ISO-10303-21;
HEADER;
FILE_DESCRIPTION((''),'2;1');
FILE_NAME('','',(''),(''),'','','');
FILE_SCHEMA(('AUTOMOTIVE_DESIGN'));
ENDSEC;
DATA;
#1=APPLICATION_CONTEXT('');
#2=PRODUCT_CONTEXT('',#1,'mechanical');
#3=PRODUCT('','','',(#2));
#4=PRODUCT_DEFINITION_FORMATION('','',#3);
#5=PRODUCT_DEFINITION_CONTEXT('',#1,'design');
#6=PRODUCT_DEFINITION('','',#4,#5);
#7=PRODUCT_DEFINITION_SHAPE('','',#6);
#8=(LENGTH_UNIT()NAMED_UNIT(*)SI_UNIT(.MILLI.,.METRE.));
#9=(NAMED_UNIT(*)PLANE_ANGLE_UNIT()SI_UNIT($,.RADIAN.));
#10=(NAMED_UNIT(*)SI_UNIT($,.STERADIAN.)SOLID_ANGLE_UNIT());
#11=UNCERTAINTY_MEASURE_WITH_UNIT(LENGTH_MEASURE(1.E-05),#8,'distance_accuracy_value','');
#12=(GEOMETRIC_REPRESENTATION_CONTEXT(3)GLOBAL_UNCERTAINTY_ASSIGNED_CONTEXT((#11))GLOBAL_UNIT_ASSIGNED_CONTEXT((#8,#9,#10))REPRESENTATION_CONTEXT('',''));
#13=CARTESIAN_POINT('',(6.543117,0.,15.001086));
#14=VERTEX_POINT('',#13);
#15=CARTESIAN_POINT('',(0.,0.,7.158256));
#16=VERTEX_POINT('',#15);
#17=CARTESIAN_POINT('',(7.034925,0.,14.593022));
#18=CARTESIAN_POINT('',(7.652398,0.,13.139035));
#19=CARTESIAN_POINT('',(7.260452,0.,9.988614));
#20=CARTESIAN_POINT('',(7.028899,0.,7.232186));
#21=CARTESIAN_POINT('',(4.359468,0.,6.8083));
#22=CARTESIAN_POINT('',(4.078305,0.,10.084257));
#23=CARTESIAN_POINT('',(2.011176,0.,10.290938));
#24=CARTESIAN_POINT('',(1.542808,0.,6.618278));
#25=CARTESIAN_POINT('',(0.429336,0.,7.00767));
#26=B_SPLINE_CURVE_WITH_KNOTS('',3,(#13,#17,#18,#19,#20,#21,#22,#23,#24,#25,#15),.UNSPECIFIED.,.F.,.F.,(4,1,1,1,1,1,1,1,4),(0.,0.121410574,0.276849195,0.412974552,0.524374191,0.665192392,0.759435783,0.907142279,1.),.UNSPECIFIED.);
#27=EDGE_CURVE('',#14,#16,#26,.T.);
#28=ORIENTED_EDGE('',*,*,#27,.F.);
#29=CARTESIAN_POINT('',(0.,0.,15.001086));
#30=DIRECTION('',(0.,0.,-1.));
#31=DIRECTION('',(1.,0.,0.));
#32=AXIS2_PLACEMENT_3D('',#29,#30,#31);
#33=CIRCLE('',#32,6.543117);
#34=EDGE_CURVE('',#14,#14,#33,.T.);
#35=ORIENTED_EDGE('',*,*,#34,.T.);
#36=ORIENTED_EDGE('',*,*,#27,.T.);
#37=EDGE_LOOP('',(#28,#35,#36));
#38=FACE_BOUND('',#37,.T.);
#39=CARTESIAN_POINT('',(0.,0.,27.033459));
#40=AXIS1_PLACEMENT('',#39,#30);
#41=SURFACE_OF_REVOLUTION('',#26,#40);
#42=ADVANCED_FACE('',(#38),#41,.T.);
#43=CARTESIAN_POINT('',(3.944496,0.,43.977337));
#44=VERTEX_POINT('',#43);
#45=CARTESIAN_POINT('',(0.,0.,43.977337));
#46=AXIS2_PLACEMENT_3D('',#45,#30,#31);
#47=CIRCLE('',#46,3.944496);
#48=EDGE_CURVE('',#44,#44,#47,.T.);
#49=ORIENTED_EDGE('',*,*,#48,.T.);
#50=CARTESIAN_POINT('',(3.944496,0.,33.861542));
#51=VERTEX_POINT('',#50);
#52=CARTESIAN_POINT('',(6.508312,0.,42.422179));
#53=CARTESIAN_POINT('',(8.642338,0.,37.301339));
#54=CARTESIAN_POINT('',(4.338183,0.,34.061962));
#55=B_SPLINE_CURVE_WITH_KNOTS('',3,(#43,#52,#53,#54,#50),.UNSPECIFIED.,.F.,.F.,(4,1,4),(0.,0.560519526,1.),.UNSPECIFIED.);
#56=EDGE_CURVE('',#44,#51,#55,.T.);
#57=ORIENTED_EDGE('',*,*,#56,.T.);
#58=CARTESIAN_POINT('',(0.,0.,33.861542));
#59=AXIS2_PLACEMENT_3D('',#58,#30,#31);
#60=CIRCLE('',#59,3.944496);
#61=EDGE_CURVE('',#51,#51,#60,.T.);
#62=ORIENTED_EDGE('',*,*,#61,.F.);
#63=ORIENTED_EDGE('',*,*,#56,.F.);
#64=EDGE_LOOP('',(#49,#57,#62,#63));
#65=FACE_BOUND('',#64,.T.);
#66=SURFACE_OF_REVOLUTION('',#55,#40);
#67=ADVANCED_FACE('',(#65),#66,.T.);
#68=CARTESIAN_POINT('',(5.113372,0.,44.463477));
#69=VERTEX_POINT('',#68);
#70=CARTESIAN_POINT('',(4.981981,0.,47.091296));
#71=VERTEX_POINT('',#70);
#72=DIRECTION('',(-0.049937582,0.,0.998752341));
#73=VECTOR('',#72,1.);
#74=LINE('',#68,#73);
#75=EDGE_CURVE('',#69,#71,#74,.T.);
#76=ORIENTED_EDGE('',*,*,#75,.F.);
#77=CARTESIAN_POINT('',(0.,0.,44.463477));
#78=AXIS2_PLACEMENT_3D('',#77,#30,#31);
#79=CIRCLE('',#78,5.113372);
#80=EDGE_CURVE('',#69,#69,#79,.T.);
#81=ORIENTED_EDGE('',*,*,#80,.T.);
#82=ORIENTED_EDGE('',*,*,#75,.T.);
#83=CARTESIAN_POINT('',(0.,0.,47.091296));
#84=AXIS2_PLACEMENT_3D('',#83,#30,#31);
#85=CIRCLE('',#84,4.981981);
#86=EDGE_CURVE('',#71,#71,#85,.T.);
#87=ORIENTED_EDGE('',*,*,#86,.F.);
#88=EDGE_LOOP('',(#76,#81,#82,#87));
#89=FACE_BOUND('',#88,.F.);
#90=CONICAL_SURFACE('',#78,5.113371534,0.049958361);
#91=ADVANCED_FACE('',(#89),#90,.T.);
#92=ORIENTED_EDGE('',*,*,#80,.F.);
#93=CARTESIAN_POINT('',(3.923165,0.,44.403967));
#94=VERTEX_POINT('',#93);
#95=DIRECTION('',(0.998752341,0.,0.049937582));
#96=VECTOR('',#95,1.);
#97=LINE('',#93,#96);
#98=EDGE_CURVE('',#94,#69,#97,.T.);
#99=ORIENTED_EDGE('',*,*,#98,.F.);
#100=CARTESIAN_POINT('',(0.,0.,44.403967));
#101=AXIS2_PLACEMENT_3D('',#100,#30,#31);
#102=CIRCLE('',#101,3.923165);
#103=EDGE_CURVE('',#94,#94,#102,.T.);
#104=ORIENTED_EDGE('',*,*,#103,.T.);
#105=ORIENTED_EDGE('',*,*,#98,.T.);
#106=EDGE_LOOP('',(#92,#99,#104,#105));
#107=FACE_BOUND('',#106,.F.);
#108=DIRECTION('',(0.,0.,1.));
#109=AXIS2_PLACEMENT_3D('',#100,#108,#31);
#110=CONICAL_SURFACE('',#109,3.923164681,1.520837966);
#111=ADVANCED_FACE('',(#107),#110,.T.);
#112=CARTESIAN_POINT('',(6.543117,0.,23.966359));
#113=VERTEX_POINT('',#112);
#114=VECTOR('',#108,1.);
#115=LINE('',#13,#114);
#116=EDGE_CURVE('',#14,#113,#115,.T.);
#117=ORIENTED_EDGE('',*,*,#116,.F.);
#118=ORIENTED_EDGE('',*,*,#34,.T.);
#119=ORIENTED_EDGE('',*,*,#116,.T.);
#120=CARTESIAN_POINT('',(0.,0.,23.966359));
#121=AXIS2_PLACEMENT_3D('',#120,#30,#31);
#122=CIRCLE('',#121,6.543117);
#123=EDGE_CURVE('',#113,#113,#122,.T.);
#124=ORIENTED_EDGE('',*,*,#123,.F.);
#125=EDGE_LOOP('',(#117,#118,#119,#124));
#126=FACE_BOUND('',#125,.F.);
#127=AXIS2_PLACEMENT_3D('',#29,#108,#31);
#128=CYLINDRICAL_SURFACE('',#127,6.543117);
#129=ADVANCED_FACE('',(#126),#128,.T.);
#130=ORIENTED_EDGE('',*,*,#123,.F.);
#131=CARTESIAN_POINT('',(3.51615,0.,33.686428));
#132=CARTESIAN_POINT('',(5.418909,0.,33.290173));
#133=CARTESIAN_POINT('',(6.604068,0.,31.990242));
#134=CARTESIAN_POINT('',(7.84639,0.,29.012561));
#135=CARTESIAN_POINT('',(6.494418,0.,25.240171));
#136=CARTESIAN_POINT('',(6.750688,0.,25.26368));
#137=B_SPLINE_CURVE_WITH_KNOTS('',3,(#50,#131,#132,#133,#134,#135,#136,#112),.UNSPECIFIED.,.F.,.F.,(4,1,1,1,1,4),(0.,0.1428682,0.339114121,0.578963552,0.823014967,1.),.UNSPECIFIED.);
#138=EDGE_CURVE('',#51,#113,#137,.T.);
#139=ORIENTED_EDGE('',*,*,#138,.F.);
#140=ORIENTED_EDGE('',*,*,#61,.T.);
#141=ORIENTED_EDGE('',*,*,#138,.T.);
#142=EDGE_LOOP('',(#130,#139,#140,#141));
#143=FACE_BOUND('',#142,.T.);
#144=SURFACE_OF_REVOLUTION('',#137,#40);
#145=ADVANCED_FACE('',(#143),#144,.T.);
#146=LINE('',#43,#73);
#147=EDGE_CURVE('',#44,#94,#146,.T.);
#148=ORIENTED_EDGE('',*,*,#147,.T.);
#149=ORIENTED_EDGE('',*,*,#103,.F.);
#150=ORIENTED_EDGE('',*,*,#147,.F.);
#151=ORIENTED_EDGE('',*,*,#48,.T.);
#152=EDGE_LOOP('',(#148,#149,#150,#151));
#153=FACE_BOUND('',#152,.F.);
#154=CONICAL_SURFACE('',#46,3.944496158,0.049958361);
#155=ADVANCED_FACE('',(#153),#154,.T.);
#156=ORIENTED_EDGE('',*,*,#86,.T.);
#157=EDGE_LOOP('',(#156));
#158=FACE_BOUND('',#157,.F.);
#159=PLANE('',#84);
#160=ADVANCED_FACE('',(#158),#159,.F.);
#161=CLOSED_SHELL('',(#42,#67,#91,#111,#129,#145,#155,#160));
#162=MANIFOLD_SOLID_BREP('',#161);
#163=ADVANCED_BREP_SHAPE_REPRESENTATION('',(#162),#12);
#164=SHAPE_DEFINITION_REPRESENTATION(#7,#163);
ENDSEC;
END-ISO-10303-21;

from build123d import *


with BuildPart() as f1:
    # F0 (on Front) → F1 (revolve)
    with BuildSketch(Plane.XZ):
        with BuildLine():
            Line((3.9444961585, 43.9773366617), (3.9231646806, 44.4039665163))
            Line((3.9231646806, 44.4039665163), (5.1133715336, 44.4634768176))
            Line((5.1133715336, 44.4634768176), (4.981980685, 47.0912956138))
            Line((4.981980685, 47.0912956138), (0, 47.0912956138))
            Line((0, 47.0912956138), (0, 7.1582561359))
            add(Edge.make_bspline(
                [(6.5431171097, 15.0010855868), (7.0349245117, 14.593021776), (7.6523978503, 13.1390352714), (7.2604517044, 9.9886140323), (7.0288985398, 7.2321856672), (4.3594675654, 6.8083003248), (4.0783048525, 10.0842572944), (2.0111759811, 10.2909377837), (1.5428081332, 6.6182776801), (0.4293361551, 7.0076696516), (0, 7.1582561359)],
                knots=[0, 0, 0, 0, 0.1214105744, 0.2768491945, 0.412974552, 0.5243741906, 0.6651923924, 0.7594357826, 0.907142279, 1, 1, 1, 1], degree=3))
            Line((6.5431171097, 15.0010855868), (6.5431171097, 23.9663589746))
            add(Edge.make_bspline(
                [(3.9444961585, 33.8615421206), (3.5161496623, 33.686427821), (5.4189091817, 33.2901729856), (6.6040684154, 31.9902422443), (7.8463902568, 29.0125610286), (6.4944183695, 25.2401712255), (6.750688211, 25.2636798874), (6.5431171097, 23.9663589746)],
                knots=[0, 0, 0, 0, 0.1428681998, 0.3391141206, 0.5789635521, 0.823014967, 1, 1, 1, 1], degree=3))
            add(Edge.make_bspline(
                [(3.9444961585, 43.9773366617), (6.5083124056, 42.4221794894), (8.6423382563, 37.3013389898), (4.3381832316, 34.0619620986), (3.9444961585, 33.8615421206)],
                knots=[0, 0, 0, 0, 0.5605195258, 1, 1, 1, 1], degree=3))
        make_face()
    revolve(axis=Axis((0, 0, 27.0334586967), (0, 0, -1)))


solid = f1.part
